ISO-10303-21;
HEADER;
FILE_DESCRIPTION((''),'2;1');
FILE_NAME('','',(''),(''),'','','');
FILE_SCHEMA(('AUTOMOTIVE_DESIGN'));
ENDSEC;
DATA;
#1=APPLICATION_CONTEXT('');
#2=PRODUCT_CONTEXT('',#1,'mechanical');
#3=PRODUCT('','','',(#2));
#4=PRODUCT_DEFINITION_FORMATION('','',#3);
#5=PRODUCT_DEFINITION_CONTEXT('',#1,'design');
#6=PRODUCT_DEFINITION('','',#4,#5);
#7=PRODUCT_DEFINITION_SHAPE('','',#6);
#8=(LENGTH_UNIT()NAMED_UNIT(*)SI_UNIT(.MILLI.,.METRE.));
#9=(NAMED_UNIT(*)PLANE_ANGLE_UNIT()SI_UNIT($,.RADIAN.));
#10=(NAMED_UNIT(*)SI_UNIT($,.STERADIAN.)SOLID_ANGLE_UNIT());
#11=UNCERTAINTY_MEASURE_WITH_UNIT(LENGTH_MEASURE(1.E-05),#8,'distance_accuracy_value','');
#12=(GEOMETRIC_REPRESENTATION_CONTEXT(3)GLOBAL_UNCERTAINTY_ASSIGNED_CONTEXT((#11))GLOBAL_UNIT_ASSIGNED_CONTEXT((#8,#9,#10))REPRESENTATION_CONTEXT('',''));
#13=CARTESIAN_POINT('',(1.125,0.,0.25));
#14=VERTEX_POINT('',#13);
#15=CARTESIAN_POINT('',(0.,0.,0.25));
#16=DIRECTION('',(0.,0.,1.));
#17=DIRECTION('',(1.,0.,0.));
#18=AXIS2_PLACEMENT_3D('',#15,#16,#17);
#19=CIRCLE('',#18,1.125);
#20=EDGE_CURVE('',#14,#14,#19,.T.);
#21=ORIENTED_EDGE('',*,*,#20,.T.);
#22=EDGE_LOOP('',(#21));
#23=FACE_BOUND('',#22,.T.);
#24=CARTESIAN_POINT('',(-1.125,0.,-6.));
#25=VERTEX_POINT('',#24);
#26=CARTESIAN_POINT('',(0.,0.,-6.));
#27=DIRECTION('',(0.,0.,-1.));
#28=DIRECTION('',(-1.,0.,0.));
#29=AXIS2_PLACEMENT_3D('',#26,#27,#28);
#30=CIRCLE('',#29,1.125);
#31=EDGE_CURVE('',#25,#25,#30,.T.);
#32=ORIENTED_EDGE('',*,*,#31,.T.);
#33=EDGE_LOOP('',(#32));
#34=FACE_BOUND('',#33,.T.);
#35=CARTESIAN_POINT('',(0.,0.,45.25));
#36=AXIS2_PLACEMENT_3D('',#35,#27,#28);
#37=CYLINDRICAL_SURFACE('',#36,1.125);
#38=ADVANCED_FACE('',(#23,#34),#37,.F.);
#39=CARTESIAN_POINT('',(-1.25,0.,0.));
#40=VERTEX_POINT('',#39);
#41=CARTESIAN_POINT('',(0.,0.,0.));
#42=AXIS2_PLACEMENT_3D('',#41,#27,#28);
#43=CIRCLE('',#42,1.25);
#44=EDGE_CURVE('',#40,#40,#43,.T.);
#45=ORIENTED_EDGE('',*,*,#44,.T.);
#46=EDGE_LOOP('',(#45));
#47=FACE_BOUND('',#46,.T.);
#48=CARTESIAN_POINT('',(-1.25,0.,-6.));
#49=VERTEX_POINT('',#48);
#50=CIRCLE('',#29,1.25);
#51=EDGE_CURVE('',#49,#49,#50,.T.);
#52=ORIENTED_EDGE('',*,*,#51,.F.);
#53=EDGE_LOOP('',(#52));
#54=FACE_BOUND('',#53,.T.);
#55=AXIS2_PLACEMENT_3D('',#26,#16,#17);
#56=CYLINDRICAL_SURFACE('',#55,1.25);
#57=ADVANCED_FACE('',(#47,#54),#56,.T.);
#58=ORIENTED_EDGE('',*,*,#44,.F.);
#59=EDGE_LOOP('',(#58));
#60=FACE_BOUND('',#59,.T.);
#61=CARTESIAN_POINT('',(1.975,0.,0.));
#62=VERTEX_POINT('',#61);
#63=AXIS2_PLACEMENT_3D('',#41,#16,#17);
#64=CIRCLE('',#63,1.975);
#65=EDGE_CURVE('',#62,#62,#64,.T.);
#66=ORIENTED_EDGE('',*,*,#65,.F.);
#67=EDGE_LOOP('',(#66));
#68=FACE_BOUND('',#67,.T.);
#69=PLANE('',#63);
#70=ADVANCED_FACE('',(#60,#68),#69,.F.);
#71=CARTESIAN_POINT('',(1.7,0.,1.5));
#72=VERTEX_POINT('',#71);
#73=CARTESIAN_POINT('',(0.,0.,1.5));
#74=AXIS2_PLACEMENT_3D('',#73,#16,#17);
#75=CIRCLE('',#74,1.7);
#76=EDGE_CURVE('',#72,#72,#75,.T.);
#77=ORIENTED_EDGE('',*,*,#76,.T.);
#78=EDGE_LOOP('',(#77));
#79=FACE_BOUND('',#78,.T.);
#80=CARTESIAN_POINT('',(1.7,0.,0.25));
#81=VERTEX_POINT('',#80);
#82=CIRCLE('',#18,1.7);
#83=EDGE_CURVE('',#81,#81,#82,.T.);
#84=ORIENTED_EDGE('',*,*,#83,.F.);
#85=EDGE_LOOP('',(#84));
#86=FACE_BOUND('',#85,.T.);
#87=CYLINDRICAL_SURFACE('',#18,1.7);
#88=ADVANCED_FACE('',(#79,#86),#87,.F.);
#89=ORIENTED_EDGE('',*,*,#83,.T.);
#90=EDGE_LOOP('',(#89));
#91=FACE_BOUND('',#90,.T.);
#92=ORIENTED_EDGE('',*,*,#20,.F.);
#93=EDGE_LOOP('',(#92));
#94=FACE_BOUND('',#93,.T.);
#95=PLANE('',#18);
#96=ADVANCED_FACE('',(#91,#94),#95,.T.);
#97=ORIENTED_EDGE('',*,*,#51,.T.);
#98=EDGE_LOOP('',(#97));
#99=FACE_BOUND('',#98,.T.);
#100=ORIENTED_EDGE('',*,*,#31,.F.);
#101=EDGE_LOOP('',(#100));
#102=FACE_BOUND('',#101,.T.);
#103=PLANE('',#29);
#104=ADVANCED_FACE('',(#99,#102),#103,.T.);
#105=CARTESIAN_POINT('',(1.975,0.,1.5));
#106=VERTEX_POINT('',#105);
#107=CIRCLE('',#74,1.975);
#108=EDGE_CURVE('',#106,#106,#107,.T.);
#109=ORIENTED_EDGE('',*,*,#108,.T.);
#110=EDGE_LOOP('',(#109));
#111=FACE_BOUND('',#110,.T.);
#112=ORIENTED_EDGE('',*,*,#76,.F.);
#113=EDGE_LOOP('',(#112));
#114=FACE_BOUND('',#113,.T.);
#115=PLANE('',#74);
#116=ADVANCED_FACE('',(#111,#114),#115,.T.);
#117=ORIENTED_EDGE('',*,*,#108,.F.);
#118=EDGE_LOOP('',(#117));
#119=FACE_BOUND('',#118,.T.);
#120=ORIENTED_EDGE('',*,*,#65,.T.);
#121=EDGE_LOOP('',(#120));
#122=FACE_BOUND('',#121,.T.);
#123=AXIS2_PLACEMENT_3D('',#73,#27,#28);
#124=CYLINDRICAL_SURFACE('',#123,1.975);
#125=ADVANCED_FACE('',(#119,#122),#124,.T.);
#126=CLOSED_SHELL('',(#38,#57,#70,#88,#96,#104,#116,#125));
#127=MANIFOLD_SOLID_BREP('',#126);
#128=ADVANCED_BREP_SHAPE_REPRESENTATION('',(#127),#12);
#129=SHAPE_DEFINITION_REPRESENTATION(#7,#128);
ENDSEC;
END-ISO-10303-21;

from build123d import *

# Parameters (mm, degrees)
ESQUISSE1_R             = 1.975
BOSS_EXTRU_1_DEPTH      = 1.5
ESQUISSE2_R             = 1.25
BOSS_EXTRU_2_DEPTH      = 6
ESQUISSE3_R             = 1.7
ENL_V_MAT_EXTRU_2_DEPTH = 1.25
ESQUISSE4_R             = 1.125
ENL_V_MAT_EXTRU_4_DEPTH = 51.25


with BuildPart() as part:
    # Esquisse1 → Boss.-Extru.1 (new body)
    with BuildSketch(Plane.XY):
        Circle(ESQUISSE1_R)
    extrude(amount=BOSS_EXTRU_1_DEPTH)

    # Esquisse2 → Boss.-Extru.2 (add)
    with BuildSketch(Plane(origin=(0, 0, 0), x_dir=(-1, 0, 0), z_dir=(0, 0, -1))):
        Circle(ESQUISSE2_R)
    extrude(amount=BOSS_EXTRU_2_DEPTH)

    # Esquisse3 → Enlèv. mat.-Extru.2 (cut)
    with BuildSketch(Plane.XY.offset(1.5)):
        Circle(ESQUISSE3_R)
    extrude(amount=-ENL_V_MAT_EXTRU_2_DEPTH, mode=Mode.SUBTRACT)

    # Esquisse4 → Enlèv. mat.-Extru.4 (cut)
    with BuildSketch(Plane(origin=(0, 0, -6), x_dir=(-1, 0, 0), z_dir=(0, 0, -1))):
        Circle(ESQUISSE4_R)
    extrude(amount=-ENL_V_MAT_EXTRU_4_DEPTH, mode=Mode.SUBTRACT)


solid = part.part
